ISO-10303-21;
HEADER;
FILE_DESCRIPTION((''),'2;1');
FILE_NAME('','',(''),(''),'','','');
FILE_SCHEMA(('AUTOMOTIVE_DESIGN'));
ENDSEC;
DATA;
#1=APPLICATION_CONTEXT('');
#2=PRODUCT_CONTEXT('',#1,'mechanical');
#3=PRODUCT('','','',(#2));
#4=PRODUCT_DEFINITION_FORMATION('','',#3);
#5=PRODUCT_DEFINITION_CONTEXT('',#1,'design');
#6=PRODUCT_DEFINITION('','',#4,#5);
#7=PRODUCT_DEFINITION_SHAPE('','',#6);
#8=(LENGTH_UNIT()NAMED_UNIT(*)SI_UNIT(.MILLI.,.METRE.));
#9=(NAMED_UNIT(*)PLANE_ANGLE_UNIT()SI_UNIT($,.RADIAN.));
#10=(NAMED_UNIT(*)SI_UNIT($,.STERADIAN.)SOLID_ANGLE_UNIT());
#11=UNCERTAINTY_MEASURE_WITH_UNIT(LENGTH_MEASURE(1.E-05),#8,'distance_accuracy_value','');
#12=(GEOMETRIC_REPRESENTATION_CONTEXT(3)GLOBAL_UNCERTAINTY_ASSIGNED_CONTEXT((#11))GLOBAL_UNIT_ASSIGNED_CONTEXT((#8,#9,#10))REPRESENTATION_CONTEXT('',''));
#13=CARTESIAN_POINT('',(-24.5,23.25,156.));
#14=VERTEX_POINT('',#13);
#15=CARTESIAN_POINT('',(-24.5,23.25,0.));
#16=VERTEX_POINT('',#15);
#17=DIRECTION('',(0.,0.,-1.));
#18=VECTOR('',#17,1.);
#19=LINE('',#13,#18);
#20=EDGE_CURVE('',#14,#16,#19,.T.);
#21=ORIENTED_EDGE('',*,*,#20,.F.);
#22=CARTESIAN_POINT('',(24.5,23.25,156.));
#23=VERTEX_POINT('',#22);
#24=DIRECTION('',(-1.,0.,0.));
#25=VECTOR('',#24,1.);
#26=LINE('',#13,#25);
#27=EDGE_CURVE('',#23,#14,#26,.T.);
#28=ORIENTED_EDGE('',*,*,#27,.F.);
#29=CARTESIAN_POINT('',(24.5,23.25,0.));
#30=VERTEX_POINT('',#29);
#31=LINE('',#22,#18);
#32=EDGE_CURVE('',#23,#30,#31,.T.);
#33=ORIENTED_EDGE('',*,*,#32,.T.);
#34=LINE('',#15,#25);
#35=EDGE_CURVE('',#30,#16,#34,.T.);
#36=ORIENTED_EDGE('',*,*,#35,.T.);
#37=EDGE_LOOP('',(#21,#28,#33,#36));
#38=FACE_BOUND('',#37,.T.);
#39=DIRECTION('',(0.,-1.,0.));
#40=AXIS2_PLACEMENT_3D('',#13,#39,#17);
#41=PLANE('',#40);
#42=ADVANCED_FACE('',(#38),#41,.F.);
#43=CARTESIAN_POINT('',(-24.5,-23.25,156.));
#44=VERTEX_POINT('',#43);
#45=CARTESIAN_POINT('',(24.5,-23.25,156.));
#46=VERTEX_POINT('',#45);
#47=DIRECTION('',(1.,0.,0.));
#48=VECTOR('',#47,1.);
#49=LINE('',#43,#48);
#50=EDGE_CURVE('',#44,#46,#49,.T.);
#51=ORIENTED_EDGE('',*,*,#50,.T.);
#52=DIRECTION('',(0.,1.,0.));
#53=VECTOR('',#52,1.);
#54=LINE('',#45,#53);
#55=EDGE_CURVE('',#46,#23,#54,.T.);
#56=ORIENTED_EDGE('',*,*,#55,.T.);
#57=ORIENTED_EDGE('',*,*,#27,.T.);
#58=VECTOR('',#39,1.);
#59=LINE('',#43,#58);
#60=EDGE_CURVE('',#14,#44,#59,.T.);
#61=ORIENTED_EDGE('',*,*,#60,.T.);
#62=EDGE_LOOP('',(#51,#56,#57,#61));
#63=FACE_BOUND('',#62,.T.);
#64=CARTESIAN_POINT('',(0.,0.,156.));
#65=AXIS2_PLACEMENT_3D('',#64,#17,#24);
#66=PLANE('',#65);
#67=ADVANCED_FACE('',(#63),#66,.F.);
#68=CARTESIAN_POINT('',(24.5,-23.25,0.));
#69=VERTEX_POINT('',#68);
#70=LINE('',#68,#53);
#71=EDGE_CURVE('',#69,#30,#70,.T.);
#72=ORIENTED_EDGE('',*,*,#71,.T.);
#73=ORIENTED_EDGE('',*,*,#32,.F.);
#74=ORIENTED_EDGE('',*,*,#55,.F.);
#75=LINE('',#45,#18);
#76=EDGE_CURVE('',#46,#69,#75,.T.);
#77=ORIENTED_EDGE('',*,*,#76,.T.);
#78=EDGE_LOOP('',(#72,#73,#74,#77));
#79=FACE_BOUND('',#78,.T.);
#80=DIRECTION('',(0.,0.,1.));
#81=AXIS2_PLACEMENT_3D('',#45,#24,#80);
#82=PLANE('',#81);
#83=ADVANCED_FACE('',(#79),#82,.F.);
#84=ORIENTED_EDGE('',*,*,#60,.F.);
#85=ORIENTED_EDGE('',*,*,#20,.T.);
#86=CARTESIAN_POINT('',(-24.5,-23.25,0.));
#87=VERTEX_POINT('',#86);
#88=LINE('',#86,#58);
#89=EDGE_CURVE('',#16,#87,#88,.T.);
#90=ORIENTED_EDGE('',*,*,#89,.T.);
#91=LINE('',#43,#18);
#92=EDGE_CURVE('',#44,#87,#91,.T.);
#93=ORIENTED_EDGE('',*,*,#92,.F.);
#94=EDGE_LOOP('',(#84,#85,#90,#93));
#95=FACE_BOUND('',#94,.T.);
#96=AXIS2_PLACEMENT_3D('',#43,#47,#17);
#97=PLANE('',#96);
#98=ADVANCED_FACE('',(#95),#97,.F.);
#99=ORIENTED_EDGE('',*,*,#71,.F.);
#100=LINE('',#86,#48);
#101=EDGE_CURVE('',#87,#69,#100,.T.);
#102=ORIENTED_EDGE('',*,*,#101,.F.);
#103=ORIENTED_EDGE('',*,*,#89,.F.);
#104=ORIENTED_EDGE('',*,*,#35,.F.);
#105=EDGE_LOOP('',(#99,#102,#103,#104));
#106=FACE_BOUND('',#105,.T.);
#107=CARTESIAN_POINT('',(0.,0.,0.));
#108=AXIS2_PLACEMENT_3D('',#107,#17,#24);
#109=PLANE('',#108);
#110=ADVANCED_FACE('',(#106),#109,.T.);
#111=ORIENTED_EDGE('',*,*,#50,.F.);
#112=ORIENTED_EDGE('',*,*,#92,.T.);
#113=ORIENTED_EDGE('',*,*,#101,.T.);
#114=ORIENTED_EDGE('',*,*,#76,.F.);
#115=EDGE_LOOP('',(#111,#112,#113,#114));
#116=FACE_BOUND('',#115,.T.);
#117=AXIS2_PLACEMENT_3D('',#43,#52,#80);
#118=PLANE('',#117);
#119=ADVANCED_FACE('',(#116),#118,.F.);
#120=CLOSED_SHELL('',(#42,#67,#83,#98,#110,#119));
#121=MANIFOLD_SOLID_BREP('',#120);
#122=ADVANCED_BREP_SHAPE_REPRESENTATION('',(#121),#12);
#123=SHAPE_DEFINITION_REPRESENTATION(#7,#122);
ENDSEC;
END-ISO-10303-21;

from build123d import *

# Parameters (mm, degrees)
SKETCH1_W           = 49
SKETCH1_H           = 46.5
BOSS_EXTRUDE1_DEPTH = 156


with BuildPart() as part:
    # Sketch1 → Boss-Extrude1 (new body)
    with BuildSketch(Plane.XY):
        Rectangle(SKETCH1_W, SKETCH1_H)
    extrude(amount=BOSS_EXTRUDE1_DEPTH)


solid = part.part
